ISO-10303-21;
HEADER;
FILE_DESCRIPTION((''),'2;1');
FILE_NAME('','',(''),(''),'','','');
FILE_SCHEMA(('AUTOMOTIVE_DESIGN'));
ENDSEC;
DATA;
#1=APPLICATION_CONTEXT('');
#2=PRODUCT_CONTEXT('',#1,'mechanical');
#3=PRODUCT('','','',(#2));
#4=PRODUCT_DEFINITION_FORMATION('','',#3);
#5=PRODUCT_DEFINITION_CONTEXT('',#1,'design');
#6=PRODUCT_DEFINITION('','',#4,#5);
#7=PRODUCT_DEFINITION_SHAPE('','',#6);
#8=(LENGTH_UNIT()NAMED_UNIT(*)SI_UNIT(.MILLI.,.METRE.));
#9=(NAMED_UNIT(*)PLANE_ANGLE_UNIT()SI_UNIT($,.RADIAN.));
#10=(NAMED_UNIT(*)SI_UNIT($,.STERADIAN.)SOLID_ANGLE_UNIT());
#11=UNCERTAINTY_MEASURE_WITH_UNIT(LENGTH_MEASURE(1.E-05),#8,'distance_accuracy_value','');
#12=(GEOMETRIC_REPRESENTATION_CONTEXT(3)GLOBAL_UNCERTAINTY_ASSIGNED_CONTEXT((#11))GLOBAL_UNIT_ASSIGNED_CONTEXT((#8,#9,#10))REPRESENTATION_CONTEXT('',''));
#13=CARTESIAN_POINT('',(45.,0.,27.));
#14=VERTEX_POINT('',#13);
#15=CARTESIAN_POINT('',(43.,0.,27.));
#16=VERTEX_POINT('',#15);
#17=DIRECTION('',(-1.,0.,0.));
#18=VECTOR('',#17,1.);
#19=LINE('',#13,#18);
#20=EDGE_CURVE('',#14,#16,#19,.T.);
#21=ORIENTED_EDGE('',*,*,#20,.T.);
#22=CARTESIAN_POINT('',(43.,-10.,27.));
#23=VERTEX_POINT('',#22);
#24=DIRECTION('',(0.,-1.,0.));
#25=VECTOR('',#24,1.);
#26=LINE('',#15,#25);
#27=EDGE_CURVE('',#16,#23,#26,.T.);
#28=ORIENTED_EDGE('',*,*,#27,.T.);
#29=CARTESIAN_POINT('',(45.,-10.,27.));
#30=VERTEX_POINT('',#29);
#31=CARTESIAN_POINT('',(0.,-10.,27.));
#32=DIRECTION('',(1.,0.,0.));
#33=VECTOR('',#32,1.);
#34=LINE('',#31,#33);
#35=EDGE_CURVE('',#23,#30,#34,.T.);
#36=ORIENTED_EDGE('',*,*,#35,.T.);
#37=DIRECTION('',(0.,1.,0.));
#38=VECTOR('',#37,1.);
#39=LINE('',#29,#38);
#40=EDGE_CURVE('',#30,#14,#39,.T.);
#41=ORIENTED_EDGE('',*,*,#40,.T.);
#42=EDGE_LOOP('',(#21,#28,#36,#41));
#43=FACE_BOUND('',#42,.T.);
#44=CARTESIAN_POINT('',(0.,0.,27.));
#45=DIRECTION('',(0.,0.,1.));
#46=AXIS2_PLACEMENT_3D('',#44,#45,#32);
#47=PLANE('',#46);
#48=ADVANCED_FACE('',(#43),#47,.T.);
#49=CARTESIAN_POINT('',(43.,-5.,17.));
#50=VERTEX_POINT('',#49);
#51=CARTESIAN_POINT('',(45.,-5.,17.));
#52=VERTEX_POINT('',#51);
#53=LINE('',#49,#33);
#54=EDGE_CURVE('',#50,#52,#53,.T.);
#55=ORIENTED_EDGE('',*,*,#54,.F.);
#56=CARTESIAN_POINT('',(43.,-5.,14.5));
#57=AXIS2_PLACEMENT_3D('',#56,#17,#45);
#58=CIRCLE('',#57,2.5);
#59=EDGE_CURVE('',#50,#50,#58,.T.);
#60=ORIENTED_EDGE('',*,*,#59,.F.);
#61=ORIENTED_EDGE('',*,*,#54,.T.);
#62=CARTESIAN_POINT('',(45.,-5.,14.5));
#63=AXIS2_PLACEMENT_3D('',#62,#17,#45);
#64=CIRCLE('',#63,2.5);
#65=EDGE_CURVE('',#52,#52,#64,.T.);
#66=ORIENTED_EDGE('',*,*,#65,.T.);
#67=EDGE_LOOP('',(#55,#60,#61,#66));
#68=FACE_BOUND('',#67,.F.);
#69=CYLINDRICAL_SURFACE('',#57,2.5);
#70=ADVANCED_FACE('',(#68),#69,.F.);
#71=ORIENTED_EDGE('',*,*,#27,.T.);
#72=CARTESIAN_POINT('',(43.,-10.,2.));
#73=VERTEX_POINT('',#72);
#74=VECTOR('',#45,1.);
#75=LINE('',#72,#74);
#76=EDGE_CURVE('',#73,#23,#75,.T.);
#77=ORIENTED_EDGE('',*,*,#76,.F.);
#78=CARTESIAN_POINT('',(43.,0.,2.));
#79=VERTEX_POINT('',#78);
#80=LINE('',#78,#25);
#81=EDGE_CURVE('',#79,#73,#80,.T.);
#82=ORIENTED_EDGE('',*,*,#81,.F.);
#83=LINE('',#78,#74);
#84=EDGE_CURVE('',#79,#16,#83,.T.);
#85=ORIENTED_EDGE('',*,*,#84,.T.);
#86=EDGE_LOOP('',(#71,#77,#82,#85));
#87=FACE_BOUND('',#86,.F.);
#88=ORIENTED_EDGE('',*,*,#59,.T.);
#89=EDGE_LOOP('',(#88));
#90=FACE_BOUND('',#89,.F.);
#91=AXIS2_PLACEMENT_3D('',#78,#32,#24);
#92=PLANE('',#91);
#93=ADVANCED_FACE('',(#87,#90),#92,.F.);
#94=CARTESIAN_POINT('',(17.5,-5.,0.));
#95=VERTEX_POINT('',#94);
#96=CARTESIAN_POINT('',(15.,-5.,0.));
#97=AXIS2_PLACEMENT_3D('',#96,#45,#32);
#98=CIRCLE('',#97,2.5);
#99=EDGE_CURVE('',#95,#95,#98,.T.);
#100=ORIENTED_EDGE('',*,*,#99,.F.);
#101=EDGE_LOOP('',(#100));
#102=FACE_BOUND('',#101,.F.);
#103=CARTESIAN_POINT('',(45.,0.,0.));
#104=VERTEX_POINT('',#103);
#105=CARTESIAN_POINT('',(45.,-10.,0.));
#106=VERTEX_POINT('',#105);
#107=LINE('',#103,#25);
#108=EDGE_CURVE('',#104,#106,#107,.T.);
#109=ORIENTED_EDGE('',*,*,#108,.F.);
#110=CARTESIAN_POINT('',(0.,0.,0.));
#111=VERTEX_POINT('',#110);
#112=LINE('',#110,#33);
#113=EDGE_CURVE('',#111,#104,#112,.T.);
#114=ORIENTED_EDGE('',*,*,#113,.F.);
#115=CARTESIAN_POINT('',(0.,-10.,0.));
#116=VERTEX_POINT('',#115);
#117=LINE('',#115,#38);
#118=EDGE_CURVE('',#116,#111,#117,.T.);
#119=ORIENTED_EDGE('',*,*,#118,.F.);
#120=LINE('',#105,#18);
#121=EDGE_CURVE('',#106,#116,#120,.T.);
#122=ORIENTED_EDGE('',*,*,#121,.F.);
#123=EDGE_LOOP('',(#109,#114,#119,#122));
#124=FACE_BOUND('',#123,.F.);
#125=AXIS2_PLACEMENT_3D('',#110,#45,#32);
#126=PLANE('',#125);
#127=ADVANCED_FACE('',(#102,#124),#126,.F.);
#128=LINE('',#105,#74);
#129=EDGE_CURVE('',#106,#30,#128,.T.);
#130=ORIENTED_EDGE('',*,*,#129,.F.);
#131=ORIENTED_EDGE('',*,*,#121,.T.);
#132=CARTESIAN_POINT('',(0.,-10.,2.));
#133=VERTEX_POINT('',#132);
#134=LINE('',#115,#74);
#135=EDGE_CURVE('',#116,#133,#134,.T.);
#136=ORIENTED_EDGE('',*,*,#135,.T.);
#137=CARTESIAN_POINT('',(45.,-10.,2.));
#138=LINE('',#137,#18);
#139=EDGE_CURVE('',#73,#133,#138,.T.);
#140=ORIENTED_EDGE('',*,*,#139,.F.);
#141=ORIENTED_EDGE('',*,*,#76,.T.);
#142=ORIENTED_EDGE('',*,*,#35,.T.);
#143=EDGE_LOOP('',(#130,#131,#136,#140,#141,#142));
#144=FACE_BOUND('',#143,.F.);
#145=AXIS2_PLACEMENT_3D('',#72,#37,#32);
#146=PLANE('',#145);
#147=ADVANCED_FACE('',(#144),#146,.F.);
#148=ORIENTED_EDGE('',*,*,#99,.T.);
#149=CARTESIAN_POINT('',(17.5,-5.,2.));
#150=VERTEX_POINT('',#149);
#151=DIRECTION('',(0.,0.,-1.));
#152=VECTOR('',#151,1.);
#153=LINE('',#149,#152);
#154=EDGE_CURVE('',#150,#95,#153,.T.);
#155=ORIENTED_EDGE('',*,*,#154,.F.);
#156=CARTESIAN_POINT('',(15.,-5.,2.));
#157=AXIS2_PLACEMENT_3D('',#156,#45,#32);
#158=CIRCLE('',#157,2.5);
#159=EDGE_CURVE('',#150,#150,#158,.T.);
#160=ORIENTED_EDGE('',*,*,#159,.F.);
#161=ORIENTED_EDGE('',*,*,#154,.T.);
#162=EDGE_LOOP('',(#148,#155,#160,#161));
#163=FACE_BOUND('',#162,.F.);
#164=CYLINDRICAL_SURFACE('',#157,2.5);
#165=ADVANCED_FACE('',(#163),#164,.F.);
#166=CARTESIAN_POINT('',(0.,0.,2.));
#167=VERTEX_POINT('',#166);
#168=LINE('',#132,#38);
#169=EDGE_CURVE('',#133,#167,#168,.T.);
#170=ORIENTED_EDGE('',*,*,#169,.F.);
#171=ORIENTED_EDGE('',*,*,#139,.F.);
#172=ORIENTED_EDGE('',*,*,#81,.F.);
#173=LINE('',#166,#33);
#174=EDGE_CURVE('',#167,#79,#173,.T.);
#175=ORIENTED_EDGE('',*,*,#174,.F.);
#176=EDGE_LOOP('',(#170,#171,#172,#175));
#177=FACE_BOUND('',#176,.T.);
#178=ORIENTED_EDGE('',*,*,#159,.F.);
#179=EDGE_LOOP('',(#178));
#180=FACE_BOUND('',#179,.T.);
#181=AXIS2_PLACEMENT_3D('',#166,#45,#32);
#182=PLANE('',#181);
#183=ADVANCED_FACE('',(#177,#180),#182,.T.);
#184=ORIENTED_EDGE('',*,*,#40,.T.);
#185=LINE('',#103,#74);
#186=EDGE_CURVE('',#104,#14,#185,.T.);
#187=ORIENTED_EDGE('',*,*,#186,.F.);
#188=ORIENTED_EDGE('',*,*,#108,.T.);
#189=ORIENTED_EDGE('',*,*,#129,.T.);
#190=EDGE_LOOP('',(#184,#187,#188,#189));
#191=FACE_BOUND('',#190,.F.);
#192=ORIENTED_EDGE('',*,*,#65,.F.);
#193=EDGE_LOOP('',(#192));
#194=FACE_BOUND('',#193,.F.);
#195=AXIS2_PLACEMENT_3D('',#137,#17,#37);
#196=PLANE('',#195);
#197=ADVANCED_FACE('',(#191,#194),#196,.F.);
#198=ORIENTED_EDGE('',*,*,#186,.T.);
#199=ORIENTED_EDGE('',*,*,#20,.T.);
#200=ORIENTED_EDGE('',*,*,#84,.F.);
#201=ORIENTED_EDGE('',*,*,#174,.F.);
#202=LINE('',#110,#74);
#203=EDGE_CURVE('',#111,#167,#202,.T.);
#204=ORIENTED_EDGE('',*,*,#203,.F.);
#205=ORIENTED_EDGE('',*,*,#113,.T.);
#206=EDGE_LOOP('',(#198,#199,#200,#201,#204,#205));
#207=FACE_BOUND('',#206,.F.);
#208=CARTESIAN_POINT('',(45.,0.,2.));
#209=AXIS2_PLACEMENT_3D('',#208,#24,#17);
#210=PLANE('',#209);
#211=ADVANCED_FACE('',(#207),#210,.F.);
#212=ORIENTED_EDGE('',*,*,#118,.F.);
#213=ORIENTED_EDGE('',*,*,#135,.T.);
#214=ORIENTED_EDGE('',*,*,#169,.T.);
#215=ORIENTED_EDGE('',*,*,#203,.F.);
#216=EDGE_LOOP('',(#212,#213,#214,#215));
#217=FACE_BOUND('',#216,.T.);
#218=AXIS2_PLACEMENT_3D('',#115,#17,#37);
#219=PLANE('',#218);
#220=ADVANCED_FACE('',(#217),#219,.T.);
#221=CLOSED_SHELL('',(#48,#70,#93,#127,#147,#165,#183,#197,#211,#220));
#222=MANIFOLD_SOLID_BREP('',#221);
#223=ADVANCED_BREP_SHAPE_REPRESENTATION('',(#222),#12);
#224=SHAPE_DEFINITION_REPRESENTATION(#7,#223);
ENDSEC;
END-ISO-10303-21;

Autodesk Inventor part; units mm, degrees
ref_plane "YZ Plane" through (0, 0, 0) normal (1, 0, 0) x (0, 1, 0)
ref_plane "XZ Plane" through (0, 0, 0) normal (0, 1, 0) x (-1, 0, 0)
ref_plane "XY Plane" through (0, 0, 0) normal (0, 0, 1) x (1, 0, 0)
sketch "Sketch1" plane through (0, 0, 0) normal (0, 0, 1) x (1, 0, 0)
  line L0 (0, 0) -> (45, 0)
  line L1 (45, 0) -> (45, -10)
  line L2 (45, -10) -> (0, -10)
  line L3 (0, -10) -> (0, 0)
  line L4 (45, 0) -> (48.2934, 0)
  line L5 (48.2934, 0) -> (48.2934, -10)
  line L6 (48.2934, -10) -> (45, -10)
  line L7 (45, -10) -> (45, 0)
extrude "Extrusion1" add sketch "Sketch1" along normal blind 2 contours L0 L1 L2 L3
sketch "Sketch2" plane through (0, 0, 2) normal (0, 0, 1) x (1, 0, 0)
  line L0 (0, 0) -> (0, -5)
  circle A0 centre (15, -5) radius 2.5
extrude "Extrusion2" cut sketch "Sketch2" against normal blind 2
sketch "Sketch3" plane through (0, 0, 2) normal (0, 0, 1) x (1, 0, 0)
  line L0 (45, -10) -> (45, 0) projected
  line L1 (45, 0) -> (43, 0)
  line L2 (45, 0) -> (0, 0) projected
  line L3 (43, 0) -> (43, -10)
  line L4 (0, -10) -> (45, -10) projected
  line L5 (43, -10) -> (45, -10)
  line L6 (45, -10) -> (45, 0)
  dimension "d10" = 2
extrude "Extrusion3" add sketch "Sketch3" along normal blind 25
sketch "Sketch4" plane through (43, -10, 2) normal (-1, 0, 0) x (0, 0, 1)
  line L0 (25, 0) -> (25, 10) projected
  circle A0 centre (12.5, 5) radius 2.5
  point P0 (-2, 10)
extrude "Extrusion4" cut sketch "Sketch4" against normal blind 25
properties part number "slider_link" material "Stainless Steel AISI 440C, Welded"
